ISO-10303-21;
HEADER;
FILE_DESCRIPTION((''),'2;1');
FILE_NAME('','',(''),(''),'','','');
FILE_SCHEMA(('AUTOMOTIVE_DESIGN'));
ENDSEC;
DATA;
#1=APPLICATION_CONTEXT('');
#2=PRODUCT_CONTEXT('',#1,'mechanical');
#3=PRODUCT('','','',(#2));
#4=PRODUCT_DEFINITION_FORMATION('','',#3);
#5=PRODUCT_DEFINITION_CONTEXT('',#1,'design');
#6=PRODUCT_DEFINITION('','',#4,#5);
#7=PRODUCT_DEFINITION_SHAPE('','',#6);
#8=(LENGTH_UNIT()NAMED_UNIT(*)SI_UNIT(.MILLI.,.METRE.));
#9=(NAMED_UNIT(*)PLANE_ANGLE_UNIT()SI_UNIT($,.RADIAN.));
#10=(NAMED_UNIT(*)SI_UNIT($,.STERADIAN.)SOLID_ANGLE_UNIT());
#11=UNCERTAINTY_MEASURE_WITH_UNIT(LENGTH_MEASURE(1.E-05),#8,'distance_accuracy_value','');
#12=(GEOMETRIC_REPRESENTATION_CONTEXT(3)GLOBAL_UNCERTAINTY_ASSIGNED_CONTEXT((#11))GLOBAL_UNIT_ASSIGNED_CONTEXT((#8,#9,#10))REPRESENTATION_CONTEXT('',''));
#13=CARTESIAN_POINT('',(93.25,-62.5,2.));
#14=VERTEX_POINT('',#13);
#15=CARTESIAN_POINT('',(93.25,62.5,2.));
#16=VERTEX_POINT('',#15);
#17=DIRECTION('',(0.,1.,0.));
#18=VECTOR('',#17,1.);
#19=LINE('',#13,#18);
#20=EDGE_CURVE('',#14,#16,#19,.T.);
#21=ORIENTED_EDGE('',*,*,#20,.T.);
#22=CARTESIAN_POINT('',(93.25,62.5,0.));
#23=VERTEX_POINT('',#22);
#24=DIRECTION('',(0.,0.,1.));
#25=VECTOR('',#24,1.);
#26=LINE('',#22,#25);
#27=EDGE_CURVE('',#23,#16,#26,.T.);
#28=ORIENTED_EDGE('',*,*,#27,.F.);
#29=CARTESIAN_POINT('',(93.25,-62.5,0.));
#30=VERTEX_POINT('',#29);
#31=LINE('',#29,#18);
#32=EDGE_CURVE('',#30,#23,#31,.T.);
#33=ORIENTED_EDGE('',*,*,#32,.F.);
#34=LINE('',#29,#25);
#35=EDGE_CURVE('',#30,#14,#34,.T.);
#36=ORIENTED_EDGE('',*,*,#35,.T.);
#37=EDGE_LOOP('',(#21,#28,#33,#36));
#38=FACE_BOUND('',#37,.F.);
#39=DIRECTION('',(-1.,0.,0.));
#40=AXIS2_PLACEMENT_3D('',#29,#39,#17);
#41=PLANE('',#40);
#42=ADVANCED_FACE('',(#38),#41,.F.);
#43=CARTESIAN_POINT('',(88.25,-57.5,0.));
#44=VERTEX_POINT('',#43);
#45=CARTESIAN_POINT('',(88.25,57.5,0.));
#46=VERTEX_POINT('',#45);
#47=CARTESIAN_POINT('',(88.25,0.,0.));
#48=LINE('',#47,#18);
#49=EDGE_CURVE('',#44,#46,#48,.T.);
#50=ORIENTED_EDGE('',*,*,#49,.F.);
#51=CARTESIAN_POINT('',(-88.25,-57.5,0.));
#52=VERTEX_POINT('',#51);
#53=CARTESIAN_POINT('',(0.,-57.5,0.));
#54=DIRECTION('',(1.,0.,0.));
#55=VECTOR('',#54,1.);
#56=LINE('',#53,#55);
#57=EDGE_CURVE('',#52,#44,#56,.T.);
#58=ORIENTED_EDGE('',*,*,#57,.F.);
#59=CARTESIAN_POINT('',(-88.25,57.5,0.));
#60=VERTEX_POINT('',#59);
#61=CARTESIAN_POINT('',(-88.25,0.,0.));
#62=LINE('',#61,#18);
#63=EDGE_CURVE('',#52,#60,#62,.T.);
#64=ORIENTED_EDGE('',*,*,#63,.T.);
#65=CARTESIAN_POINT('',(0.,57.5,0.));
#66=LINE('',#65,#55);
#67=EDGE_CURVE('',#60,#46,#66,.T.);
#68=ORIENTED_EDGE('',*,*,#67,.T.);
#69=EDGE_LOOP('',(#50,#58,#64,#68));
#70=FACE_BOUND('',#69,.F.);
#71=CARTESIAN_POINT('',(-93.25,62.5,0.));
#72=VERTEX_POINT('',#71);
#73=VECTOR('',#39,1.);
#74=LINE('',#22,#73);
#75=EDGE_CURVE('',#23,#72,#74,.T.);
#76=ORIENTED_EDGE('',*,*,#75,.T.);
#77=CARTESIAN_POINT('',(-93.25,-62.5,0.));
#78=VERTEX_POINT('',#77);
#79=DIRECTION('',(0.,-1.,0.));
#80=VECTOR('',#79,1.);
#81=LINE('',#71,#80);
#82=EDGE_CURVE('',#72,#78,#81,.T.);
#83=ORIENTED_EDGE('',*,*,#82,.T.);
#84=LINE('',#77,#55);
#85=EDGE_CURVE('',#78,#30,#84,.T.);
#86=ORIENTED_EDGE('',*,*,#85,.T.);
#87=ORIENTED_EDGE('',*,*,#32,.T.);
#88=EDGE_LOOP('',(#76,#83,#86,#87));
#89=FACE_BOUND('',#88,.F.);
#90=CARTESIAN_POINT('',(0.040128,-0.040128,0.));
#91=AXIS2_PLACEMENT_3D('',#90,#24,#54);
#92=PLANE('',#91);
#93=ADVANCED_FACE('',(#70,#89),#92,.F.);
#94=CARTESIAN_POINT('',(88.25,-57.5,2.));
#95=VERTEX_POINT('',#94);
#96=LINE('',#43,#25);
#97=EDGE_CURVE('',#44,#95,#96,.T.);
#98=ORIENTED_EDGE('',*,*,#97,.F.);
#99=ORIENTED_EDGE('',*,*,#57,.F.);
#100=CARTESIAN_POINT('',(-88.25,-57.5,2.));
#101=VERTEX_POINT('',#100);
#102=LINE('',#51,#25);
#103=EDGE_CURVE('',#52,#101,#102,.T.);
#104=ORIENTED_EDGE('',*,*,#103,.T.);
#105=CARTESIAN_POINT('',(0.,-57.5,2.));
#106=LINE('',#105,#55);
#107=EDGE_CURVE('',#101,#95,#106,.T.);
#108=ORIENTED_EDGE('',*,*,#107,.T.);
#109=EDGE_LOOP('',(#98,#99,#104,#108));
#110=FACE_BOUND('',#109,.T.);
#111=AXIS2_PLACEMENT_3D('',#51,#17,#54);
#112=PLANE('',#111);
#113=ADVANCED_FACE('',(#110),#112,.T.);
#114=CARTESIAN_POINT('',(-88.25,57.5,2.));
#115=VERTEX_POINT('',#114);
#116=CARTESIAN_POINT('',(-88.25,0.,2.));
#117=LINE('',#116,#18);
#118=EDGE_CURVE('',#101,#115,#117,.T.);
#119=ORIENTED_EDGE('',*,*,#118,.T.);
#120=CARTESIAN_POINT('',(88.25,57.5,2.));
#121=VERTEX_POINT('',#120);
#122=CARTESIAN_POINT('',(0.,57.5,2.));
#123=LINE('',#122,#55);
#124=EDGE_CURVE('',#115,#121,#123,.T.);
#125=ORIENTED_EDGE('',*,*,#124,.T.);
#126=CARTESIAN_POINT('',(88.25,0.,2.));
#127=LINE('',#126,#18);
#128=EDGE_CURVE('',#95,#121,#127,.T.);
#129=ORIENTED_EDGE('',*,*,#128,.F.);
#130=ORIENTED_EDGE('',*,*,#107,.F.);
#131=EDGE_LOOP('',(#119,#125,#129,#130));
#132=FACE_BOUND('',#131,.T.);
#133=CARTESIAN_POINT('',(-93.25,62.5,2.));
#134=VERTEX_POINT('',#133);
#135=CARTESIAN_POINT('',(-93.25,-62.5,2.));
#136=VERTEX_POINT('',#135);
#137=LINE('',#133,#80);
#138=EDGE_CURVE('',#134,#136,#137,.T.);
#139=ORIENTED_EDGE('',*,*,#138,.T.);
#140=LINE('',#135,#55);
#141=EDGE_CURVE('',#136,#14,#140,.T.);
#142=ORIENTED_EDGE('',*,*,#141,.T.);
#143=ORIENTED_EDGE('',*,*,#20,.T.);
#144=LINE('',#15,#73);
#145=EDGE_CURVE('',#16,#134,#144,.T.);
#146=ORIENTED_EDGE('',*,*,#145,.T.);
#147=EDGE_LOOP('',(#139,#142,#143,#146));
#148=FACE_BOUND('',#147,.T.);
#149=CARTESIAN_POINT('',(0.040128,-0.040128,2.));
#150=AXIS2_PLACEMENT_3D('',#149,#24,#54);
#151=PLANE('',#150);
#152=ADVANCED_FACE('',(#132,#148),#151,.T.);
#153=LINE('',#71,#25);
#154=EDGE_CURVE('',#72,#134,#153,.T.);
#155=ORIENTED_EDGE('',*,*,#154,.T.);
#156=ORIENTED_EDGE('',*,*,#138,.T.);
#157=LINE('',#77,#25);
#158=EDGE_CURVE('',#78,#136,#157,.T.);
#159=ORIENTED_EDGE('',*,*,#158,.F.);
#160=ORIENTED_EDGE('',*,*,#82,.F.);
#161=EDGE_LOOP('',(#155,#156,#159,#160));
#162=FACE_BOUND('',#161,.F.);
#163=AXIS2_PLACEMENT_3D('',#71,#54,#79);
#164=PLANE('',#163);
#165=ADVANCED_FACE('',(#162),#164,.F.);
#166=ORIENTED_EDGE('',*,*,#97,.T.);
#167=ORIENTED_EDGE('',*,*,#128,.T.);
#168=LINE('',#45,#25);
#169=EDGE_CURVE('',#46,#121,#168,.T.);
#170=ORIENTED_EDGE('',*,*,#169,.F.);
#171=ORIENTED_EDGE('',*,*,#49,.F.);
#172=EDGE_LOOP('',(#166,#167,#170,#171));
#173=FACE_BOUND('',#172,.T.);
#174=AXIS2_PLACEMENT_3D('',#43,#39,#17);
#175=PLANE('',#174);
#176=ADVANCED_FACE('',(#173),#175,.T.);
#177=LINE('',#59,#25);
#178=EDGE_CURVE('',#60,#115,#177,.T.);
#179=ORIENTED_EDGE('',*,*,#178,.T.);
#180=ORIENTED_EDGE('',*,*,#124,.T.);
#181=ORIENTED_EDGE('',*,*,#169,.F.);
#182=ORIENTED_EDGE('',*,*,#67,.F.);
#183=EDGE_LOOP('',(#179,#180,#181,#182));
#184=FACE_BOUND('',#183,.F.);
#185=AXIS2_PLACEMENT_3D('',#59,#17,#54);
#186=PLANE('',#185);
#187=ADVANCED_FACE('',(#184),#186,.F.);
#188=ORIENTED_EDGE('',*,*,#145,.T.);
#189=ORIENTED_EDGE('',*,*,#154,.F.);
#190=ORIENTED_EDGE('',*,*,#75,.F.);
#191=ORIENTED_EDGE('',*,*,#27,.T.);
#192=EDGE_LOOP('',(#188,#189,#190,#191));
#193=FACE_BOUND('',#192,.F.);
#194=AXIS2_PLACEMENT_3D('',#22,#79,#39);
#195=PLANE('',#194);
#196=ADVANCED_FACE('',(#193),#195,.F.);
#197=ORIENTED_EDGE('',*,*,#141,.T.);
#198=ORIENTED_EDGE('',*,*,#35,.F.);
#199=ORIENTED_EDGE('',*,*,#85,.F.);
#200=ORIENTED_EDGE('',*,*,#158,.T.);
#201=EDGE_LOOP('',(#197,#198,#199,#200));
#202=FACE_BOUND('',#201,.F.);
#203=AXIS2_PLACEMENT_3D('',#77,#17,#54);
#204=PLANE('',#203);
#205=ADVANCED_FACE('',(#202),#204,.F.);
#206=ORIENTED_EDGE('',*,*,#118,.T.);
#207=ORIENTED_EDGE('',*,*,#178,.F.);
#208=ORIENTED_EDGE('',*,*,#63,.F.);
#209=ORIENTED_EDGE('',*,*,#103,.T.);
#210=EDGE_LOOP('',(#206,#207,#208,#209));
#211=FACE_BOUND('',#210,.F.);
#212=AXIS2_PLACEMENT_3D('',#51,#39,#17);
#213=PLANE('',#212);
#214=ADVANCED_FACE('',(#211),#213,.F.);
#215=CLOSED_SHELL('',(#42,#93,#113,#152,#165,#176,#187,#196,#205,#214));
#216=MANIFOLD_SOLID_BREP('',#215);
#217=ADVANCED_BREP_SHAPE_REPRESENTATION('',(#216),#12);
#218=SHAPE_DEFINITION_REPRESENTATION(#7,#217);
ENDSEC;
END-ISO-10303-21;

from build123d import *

# Parameters (mm, degrees)
F0_W     = 176.5
F0_H     = 115
F0_W_2   = 5
F0_H_2   = 5
F1_DEPTH = 2


with BuildPart() as f1:
    # F0 (on Top) → F1 (new body)
    with BuildSketch(Plane.XY):
        Polygon((-88.25, 62.5), (-88.25, 57.5), (-93.25, 57.5), (-93.25, -62.5), (93.25, -62.5), (93.25, 62.5), align=None)
        Rectangle(F0_W, F0_H, mode=Mode.SUBTRACT)
        with Locations((-90.75, 60)):
            Rectangle(F0_W_2, F0_H_2)
    extrude(amount=F1_DEPTH)


solid = f1.part
